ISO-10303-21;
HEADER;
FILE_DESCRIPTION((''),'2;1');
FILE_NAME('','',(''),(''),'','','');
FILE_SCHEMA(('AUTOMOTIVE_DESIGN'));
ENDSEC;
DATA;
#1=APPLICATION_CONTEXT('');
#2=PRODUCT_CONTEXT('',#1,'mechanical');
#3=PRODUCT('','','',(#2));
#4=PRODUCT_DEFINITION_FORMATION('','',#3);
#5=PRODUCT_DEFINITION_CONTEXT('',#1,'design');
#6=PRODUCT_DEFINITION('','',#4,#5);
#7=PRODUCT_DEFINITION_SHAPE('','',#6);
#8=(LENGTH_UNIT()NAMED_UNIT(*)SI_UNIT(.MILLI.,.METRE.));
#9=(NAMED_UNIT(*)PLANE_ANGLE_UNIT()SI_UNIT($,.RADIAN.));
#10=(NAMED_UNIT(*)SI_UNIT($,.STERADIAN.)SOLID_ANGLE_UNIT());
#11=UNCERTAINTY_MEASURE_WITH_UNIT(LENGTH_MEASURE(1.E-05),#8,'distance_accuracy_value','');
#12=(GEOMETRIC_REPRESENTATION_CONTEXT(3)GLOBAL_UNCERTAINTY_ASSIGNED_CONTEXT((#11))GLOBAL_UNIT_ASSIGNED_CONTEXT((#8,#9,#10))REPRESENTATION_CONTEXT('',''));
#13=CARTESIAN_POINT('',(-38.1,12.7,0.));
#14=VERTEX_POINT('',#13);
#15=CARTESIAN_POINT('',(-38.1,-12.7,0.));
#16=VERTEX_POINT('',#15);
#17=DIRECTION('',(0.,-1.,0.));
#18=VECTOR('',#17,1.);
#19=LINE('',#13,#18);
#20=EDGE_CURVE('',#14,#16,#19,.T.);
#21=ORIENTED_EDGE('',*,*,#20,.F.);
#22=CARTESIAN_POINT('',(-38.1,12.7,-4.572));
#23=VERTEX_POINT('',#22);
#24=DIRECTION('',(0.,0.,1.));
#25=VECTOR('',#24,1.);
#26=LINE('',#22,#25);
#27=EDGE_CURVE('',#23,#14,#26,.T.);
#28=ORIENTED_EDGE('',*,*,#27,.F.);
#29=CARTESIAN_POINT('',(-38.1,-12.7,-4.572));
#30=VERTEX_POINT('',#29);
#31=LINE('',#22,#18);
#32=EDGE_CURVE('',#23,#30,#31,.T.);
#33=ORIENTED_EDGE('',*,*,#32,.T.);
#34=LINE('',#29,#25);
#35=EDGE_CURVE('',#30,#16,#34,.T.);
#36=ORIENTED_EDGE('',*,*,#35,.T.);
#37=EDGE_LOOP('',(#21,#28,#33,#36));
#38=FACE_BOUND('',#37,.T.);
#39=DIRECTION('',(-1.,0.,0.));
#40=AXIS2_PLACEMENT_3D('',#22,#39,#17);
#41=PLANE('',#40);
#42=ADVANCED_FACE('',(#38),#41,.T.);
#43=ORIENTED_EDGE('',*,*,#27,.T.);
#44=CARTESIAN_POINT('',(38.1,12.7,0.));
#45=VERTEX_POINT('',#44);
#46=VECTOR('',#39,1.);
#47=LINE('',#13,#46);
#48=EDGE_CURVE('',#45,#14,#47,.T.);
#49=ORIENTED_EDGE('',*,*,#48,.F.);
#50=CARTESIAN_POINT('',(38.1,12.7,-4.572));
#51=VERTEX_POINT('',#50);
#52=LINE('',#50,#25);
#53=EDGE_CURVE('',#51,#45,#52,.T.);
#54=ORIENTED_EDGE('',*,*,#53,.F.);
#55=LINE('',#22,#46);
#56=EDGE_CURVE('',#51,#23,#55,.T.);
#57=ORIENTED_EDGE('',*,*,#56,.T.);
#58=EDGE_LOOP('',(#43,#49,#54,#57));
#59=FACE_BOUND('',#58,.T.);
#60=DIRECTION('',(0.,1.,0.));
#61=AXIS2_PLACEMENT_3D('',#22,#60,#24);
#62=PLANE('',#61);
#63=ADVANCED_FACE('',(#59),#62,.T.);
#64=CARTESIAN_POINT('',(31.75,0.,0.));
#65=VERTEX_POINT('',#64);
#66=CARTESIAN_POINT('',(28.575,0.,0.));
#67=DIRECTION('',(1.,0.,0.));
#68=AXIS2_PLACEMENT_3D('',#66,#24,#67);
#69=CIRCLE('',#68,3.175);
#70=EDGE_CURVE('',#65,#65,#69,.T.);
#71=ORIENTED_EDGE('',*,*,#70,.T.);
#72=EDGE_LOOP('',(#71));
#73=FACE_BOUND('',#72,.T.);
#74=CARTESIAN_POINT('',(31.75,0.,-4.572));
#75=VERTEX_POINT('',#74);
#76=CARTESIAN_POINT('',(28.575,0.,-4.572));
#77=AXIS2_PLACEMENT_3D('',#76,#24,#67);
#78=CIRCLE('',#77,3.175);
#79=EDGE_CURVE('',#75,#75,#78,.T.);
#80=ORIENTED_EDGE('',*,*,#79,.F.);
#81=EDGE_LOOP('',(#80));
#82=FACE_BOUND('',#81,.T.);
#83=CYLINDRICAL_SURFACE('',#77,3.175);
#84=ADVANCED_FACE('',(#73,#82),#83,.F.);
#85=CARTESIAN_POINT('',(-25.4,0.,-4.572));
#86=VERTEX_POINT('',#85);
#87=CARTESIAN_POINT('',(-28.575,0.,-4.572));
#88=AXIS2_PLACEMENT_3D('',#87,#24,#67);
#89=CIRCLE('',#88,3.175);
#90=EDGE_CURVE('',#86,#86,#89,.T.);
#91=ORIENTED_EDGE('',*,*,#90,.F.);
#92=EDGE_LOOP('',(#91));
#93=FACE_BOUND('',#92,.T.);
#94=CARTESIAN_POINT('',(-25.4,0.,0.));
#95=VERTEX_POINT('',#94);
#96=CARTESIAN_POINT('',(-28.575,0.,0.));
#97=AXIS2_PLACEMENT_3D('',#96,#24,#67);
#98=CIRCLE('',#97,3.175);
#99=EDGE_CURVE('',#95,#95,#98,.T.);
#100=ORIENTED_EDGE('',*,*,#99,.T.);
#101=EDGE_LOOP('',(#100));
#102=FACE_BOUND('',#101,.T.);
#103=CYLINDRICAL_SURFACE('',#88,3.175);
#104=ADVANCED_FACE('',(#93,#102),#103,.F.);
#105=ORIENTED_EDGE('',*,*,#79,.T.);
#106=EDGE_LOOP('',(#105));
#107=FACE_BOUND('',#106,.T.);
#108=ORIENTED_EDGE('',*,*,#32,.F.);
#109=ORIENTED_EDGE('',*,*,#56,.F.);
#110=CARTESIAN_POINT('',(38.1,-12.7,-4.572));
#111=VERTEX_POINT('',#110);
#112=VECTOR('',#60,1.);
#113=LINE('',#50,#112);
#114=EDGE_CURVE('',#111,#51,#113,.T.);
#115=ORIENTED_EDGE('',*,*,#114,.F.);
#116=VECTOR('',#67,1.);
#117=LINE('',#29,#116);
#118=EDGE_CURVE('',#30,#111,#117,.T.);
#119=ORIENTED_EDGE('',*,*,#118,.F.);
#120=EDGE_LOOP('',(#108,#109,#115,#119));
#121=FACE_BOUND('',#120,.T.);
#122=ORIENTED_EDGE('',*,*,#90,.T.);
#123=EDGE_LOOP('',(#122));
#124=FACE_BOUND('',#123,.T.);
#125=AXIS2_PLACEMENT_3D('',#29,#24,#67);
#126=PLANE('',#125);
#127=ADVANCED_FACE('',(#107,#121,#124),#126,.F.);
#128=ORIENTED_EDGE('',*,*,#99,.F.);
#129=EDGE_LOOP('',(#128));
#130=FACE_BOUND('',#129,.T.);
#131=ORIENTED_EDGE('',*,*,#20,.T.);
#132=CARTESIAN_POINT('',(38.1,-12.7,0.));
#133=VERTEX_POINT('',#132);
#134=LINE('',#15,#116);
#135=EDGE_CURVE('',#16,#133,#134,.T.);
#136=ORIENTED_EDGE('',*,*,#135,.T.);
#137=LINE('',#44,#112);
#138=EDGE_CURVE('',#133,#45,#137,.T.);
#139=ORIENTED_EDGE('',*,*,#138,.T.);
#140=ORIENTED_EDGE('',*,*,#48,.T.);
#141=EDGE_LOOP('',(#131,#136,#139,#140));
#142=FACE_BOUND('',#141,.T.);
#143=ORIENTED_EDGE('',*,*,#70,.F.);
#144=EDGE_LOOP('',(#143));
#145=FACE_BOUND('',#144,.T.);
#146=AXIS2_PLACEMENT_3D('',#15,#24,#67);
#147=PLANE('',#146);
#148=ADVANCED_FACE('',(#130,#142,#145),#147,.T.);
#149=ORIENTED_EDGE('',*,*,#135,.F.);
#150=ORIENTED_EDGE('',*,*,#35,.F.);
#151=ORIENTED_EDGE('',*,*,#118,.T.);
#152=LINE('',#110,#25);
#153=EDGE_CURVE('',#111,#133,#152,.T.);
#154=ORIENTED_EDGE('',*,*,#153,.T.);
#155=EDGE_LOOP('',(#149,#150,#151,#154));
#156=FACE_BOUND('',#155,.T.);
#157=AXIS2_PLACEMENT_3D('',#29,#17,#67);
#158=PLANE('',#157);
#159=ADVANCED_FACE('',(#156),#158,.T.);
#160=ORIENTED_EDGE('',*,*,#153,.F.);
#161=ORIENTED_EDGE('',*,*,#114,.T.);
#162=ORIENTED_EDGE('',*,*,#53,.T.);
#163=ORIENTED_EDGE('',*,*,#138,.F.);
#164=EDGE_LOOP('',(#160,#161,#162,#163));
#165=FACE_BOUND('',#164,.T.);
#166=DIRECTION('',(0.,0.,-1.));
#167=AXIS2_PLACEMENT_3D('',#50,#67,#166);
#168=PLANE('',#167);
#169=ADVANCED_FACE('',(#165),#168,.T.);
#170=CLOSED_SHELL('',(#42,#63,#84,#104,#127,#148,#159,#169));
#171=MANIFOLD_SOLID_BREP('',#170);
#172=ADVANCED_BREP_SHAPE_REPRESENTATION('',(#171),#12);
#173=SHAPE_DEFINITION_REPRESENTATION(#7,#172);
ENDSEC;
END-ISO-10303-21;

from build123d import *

# Parameters (mm, degrees)
SKETCH1_W           = 76.2
SKETCH1_H           = 25.4
SKETCH1_R           = 3.175
BOSS_EXTRUDE1_DEPTH = 4.572


with BuildPart() as part:
    # Sketch1 → Boss-Extrude1 (new body)
    with BuildSketch(Plane.XY):
        Rectangle(SKETCH1_W, SKETCH1_H)
        with Locations((-28.575, 0)):
            Circle(SKETCH1_R, mode=Mode.SUBTRACT)
        with Locations((28.575, 0)):
            Circle(SKETCH1_R, mode=Mode.SUBTRACT)
    extrude(amount=-BOSS_EXTRUDE1_DEPTH)


solid = part.part
